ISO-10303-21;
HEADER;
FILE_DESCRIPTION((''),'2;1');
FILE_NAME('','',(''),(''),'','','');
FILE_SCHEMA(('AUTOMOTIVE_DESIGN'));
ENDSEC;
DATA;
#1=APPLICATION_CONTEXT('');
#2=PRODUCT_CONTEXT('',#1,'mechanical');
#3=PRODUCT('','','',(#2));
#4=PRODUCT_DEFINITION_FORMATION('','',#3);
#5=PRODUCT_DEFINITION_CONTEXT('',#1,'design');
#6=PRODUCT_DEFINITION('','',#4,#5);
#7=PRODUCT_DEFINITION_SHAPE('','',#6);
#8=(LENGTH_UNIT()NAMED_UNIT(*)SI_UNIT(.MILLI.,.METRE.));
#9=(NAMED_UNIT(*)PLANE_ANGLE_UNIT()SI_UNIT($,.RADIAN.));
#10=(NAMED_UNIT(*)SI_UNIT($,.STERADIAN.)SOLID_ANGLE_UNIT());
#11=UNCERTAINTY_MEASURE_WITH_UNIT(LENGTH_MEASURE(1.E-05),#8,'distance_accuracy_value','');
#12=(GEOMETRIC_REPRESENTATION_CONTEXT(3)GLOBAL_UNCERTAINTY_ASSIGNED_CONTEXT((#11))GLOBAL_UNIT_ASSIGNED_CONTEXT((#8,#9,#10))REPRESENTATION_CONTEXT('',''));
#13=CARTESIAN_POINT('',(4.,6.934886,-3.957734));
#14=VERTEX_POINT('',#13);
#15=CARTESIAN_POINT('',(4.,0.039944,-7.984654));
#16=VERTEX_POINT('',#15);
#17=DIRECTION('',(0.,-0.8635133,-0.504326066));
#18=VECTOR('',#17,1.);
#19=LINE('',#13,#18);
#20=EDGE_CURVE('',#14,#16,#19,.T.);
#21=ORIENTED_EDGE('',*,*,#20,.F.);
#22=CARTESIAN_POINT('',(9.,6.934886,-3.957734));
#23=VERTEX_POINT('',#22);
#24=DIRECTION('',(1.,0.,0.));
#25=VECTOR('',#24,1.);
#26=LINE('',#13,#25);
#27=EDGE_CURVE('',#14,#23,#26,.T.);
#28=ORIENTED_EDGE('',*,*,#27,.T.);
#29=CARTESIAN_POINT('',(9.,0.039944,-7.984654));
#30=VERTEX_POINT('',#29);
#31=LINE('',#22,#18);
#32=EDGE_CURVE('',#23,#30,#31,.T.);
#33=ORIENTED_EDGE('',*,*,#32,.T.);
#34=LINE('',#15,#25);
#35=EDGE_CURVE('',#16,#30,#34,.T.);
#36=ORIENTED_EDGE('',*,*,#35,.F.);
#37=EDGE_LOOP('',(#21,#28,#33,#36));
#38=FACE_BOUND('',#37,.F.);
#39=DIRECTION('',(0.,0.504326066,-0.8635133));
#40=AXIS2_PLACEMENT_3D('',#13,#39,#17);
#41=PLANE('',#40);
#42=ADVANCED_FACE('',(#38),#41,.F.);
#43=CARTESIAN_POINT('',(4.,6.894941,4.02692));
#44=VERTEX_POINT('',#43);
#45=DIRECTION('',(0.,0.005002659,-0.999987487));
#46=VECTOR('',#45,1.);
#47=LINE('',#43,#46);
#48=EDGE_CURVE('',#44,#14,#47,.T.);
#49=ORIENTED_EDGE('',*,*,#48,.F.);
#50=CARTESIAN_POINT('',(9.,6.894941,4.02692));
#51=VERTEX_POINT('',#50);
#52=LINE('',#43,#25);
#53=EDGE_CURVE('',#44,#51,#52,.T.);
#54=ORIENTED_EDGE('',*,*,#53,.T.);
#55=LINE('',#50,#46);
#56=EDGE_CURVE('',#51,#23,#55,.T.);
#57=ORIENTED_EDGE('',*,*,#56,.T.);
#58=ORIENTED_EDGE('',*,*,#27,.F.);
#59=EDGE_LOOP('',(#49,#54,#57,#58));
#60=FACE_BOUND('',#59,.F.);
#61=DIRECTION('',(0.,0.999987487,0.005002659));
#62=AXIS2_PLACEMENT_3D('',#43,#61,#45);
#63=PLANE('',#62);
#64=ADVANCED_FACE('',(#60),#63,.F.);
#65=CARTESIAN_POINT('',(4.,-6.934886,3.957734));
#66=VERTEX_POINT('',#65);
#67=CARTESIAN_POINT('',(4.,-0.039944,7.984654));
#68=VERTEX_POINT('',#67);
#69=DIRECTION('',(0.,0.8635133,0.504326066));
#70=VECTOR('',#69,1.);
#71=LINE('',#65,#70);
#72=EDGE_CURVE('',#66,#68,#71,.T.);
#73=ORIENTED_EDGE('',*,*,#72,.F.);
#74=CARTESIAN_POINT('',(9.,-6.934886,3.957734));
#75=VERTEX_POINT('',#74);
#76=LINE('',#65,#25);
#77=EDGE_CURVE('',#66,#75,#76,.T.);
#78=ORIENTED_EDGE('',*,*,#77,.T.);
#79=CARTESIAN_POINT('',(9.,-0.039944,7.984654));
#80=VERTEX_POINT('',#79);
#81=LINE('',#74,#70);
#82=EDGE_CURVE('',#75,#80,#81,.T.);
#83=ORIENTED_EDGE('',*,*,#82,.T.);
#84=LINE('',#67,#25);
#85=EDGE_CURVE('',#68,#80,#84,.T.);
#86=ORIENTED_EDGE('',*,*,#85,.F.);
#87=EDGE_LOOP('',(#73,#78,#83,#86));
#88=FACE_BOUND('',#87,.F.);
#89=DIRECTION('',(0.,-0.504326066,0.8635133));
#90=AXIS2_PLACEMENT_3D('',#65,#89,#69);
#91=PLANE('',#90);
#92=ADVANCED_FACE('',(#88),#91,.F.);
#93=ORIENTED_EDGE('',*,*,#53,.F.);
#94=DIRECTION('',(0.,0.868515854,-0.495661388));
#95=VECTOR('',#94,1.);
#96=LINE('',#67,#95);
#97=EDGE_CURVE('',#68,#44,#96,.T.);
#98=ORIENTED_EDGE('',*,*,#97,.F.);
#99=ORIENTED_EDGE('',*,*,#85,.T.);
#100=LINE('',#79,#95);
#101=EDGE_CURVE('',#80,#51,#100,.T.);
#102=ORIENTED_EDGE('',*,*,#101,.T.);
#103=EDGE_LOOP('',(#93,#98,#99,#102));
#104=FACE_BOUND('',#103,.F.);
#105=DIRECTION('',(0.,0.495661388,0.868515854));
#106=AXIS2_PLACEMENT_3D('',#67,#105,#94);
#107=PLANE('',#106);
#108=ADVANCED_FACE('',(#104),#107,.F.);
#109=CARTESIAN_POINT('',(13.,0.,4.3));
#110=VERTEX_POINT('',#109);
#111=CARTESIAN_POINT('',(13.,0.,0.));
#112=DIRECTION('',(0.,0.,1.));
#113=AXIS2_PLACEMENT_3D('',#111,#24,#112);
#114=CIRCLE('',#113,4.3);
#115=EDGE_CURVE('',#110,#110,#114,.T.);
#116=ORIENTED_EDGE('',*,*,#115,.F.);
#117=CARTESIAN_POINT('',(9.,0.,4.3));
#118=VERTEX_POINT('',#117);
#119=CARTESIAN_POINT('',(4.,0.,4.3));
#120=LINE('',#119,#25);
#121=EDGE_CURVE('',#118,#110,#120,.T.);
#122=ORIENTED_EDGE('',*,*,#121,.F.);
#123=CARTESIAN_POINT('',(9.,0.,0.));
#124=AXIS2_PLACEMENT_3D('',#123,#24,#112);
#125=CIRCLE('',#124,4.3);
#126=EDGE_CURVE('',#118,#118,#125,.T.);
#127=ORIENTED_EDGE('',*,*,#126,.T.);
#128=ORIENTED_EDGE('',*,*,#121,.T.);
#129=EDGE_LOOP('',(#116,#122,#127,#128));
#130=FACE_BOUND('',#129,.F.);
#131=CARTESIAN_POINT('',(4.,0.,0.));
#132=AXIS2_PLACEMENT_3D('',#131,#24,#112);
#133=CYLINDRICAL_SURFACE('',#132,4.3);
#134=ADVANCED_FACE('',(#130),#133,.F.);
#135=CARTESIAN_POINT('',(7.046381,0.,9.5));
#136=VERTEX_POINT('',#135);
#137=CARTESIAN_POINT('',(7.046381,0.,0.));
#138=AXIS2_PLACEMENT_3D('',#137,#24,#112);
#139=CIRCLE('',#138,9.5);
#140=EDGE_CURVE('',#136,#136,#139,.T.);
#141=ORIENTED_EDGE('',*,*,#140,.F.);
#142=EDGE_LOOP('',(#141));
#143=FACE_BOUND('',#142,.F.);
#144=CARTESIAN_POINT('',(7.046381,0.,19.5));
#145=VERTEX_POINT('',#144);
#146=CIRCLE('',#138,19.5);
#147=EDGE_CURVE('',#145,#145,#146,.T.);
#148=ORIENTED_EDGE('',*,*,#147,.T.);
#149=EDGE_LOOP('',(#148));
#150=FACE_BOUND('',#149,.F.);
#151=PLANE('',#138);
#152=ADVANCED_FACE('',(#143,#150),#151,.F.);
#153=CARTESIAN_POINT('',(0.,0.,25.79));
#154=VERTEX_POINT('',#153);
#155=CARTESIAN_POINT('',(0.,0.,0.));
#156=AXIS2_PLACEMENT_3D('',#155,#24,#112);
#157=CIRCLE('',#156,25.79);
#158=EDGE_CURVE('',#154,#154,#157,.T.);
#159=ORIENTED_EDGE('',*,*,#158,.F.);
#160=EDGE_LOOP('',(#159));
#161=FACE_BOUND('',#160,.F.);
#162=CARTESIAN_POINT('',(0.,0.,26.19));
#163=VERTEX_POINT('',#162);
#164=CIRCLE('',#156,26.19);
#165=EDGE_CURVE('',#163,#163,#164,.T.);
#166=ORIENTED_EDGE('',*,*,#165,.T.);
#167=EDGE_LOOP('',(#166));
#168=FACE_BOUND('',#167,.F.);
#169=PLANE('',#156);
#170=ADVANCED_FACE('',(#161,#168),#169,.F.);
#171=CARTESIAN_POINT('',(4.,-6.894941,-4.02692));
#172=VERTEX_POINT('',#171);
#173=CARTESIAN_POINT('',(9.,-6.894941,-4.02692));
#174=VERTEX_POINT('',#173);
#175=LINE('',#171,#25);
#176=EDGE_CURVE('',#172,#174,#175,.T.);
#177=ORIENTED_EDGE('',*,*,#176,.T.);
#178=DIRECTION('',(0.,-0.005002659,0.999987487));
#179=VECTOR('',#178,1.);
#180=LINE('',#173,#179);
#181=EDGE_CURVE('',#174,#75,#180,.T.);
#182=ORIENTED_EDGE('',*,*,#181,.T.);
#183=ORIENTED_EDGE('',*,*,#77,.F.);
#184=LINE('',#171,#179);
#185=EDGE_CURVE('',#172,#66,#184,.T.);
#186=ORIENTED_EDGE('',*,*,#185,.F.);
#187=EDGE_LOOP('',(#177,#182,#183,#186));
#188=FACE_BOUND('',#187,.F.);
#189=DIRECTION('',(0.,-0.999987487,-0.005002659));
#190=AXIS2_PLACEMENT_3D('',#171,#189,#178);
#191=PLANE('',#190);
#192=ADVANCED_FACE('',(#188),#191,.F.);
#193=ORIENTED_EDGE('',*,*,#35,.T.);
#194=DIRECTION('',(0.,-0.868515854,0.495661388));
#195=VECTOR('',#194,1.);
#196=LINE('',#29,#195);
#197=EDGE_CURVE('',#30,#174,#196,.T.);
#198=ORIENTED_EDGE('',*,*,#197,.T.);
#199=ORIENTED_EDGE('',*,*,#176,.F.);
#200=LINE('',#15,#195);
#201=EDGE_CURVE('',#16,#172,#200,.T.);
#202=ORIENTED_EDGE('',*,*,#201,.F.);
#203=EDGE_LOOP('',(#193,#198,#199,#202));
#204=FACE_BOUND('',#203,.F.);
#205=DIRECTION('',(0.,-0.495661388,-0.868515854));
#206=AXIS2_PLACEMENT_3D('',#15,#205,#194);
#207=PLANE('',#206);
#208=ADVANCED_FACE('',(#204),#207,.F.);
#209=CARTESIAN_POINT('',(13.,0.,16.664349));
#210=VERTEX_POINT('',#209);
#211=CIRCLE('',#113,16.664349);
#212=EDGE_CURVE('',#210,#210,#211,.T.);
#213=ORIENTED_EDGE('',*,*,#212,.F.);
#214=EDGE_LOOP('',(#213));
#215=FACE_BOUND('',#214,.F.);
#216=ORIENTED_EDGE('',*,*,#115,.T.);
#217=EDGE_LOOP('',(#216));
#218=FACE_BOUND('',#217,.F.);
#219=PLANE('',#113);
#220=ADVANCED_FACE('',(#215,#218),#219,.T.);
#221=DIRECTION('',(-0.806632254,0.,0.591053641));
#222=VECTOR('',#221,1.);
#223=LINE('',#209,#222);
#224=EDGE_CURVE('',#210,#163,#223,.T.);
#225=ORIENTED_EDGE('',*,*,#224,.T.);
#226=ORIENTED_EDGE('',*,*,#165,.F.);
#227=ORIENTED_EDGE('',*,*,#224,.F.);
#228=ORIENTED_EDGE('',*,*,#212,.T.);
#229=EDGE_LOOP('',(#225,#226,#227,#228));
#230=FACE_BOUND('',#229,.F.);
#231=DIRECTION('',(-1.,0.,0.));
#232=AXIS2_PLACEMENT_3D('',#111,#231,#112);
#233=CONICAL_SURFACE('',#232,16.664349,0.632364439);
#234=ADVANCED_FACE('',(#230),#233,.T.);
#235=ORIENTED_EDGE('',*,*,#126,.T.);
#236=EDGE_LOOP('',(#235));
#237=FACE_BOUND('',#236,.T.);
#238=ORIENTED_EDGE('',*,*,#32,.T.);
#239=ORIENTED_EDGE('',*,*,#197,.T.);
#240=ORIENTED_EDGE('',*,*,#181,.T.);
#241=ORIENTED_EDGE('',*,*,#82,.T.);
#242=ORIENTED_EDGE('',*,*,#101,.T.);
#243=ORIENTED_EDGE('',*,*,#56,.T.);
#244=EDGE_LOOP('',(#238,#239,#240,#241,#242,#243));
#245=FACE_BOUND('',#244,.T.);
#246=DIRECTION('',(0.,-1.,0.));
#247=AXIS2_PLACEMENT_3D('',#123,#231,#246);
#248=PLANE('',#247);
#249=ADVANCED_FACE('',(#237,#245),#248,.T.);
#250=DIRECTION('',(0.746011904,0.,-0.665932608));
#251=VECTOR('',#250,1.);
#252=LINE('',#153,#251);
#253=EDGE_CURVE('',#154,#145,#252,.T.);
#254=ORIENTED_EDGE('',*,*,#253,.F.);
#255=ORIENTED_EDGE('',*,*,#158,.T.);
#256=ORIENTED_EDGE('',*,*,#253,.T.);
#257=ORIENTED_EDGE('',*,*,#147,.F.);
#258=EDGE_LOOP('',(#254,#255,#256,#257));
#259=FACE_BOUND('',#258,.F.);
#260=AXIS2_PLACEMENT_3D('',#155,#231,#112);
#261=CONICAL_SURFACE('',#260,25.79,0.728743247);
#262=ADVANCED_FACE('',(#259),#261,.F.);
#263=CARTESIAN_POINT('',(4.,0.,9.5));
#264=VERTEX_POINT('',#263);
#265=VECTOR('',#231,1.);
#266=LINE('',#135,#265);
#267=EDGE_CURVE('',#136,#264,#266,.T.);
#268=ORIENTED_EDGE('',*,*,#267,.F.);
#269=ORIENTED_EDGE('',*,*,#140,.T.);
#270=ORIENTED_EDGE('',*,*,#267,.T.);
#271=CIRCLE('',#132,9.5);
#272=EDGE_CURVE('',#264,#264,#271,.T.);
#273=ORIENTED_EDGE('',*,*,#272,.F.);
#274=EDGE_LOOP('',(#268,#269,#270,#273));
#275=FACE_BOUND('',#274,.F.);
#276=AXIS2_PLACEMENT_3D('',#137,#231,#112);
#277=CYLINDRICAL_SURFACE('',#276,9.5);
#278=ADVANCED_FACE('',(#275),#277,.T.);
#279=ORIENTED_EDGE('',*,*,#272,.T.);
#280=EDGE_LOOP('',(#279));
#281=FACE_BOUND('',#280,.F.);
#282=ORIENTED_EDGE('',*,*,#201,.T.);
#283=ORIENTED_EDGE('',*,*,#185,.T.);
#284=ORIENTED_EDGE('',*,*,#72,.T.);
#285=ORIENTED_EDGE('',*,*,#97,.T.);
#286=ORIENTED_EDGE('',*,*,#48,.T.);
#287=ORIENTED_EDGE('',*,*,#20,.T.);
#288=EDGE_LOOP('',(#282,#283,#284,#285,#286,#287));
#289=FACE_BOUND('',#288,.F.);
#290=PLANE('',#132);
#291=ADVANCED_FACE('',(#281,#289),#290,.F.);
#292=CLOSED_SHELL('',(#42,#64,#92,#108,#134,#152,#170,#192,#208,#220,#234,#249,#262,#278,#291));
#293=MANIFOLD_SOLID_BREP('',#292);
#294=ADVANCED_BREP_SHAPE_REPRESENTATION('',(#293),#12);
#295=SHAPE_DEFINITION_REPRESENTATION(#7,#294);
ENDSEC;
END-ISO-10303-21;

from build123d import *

# Parameters (mm, degrees)
F2_R     = 4.3
F3_DEPTH = 5


with BuildPart() as f1:
    # F0 (on Front) → F1 (revolve)
    with BuildSketch(Plane.XZ):
        Polygon((4, 9.5), (4, 4.3), (13, 4.3), (13, 9.5), (13, 16.664349), (0, 26.19), (0, 25.79), (7.046381, 19.5), (7.046381, 9.5), align=None)
    revolve(axis=Axis((2.175912, 0, 0), (1, 0, 0)))

    # F2 (on face) → F3 (cut)
    with BuildSketch(Plane(origin=(4, 0, 0), x_dir=(0, -1, 0), z_dir=(-1, 0, 0))):
        Polygon((0.039944, 7.984654), (-6.894941, 4.02692), (-6.934886, -3.957734), (-0.039944, -7.984654), (6.894941, -4.02692), (6.934886, 3.957734), align=None)
        Circle(F2_R, mode=Mode.SUBTRACT)
    extrude(amount=-F3_DEPTH, mode=Mode.SUBTRACT)


solid = f1.part
